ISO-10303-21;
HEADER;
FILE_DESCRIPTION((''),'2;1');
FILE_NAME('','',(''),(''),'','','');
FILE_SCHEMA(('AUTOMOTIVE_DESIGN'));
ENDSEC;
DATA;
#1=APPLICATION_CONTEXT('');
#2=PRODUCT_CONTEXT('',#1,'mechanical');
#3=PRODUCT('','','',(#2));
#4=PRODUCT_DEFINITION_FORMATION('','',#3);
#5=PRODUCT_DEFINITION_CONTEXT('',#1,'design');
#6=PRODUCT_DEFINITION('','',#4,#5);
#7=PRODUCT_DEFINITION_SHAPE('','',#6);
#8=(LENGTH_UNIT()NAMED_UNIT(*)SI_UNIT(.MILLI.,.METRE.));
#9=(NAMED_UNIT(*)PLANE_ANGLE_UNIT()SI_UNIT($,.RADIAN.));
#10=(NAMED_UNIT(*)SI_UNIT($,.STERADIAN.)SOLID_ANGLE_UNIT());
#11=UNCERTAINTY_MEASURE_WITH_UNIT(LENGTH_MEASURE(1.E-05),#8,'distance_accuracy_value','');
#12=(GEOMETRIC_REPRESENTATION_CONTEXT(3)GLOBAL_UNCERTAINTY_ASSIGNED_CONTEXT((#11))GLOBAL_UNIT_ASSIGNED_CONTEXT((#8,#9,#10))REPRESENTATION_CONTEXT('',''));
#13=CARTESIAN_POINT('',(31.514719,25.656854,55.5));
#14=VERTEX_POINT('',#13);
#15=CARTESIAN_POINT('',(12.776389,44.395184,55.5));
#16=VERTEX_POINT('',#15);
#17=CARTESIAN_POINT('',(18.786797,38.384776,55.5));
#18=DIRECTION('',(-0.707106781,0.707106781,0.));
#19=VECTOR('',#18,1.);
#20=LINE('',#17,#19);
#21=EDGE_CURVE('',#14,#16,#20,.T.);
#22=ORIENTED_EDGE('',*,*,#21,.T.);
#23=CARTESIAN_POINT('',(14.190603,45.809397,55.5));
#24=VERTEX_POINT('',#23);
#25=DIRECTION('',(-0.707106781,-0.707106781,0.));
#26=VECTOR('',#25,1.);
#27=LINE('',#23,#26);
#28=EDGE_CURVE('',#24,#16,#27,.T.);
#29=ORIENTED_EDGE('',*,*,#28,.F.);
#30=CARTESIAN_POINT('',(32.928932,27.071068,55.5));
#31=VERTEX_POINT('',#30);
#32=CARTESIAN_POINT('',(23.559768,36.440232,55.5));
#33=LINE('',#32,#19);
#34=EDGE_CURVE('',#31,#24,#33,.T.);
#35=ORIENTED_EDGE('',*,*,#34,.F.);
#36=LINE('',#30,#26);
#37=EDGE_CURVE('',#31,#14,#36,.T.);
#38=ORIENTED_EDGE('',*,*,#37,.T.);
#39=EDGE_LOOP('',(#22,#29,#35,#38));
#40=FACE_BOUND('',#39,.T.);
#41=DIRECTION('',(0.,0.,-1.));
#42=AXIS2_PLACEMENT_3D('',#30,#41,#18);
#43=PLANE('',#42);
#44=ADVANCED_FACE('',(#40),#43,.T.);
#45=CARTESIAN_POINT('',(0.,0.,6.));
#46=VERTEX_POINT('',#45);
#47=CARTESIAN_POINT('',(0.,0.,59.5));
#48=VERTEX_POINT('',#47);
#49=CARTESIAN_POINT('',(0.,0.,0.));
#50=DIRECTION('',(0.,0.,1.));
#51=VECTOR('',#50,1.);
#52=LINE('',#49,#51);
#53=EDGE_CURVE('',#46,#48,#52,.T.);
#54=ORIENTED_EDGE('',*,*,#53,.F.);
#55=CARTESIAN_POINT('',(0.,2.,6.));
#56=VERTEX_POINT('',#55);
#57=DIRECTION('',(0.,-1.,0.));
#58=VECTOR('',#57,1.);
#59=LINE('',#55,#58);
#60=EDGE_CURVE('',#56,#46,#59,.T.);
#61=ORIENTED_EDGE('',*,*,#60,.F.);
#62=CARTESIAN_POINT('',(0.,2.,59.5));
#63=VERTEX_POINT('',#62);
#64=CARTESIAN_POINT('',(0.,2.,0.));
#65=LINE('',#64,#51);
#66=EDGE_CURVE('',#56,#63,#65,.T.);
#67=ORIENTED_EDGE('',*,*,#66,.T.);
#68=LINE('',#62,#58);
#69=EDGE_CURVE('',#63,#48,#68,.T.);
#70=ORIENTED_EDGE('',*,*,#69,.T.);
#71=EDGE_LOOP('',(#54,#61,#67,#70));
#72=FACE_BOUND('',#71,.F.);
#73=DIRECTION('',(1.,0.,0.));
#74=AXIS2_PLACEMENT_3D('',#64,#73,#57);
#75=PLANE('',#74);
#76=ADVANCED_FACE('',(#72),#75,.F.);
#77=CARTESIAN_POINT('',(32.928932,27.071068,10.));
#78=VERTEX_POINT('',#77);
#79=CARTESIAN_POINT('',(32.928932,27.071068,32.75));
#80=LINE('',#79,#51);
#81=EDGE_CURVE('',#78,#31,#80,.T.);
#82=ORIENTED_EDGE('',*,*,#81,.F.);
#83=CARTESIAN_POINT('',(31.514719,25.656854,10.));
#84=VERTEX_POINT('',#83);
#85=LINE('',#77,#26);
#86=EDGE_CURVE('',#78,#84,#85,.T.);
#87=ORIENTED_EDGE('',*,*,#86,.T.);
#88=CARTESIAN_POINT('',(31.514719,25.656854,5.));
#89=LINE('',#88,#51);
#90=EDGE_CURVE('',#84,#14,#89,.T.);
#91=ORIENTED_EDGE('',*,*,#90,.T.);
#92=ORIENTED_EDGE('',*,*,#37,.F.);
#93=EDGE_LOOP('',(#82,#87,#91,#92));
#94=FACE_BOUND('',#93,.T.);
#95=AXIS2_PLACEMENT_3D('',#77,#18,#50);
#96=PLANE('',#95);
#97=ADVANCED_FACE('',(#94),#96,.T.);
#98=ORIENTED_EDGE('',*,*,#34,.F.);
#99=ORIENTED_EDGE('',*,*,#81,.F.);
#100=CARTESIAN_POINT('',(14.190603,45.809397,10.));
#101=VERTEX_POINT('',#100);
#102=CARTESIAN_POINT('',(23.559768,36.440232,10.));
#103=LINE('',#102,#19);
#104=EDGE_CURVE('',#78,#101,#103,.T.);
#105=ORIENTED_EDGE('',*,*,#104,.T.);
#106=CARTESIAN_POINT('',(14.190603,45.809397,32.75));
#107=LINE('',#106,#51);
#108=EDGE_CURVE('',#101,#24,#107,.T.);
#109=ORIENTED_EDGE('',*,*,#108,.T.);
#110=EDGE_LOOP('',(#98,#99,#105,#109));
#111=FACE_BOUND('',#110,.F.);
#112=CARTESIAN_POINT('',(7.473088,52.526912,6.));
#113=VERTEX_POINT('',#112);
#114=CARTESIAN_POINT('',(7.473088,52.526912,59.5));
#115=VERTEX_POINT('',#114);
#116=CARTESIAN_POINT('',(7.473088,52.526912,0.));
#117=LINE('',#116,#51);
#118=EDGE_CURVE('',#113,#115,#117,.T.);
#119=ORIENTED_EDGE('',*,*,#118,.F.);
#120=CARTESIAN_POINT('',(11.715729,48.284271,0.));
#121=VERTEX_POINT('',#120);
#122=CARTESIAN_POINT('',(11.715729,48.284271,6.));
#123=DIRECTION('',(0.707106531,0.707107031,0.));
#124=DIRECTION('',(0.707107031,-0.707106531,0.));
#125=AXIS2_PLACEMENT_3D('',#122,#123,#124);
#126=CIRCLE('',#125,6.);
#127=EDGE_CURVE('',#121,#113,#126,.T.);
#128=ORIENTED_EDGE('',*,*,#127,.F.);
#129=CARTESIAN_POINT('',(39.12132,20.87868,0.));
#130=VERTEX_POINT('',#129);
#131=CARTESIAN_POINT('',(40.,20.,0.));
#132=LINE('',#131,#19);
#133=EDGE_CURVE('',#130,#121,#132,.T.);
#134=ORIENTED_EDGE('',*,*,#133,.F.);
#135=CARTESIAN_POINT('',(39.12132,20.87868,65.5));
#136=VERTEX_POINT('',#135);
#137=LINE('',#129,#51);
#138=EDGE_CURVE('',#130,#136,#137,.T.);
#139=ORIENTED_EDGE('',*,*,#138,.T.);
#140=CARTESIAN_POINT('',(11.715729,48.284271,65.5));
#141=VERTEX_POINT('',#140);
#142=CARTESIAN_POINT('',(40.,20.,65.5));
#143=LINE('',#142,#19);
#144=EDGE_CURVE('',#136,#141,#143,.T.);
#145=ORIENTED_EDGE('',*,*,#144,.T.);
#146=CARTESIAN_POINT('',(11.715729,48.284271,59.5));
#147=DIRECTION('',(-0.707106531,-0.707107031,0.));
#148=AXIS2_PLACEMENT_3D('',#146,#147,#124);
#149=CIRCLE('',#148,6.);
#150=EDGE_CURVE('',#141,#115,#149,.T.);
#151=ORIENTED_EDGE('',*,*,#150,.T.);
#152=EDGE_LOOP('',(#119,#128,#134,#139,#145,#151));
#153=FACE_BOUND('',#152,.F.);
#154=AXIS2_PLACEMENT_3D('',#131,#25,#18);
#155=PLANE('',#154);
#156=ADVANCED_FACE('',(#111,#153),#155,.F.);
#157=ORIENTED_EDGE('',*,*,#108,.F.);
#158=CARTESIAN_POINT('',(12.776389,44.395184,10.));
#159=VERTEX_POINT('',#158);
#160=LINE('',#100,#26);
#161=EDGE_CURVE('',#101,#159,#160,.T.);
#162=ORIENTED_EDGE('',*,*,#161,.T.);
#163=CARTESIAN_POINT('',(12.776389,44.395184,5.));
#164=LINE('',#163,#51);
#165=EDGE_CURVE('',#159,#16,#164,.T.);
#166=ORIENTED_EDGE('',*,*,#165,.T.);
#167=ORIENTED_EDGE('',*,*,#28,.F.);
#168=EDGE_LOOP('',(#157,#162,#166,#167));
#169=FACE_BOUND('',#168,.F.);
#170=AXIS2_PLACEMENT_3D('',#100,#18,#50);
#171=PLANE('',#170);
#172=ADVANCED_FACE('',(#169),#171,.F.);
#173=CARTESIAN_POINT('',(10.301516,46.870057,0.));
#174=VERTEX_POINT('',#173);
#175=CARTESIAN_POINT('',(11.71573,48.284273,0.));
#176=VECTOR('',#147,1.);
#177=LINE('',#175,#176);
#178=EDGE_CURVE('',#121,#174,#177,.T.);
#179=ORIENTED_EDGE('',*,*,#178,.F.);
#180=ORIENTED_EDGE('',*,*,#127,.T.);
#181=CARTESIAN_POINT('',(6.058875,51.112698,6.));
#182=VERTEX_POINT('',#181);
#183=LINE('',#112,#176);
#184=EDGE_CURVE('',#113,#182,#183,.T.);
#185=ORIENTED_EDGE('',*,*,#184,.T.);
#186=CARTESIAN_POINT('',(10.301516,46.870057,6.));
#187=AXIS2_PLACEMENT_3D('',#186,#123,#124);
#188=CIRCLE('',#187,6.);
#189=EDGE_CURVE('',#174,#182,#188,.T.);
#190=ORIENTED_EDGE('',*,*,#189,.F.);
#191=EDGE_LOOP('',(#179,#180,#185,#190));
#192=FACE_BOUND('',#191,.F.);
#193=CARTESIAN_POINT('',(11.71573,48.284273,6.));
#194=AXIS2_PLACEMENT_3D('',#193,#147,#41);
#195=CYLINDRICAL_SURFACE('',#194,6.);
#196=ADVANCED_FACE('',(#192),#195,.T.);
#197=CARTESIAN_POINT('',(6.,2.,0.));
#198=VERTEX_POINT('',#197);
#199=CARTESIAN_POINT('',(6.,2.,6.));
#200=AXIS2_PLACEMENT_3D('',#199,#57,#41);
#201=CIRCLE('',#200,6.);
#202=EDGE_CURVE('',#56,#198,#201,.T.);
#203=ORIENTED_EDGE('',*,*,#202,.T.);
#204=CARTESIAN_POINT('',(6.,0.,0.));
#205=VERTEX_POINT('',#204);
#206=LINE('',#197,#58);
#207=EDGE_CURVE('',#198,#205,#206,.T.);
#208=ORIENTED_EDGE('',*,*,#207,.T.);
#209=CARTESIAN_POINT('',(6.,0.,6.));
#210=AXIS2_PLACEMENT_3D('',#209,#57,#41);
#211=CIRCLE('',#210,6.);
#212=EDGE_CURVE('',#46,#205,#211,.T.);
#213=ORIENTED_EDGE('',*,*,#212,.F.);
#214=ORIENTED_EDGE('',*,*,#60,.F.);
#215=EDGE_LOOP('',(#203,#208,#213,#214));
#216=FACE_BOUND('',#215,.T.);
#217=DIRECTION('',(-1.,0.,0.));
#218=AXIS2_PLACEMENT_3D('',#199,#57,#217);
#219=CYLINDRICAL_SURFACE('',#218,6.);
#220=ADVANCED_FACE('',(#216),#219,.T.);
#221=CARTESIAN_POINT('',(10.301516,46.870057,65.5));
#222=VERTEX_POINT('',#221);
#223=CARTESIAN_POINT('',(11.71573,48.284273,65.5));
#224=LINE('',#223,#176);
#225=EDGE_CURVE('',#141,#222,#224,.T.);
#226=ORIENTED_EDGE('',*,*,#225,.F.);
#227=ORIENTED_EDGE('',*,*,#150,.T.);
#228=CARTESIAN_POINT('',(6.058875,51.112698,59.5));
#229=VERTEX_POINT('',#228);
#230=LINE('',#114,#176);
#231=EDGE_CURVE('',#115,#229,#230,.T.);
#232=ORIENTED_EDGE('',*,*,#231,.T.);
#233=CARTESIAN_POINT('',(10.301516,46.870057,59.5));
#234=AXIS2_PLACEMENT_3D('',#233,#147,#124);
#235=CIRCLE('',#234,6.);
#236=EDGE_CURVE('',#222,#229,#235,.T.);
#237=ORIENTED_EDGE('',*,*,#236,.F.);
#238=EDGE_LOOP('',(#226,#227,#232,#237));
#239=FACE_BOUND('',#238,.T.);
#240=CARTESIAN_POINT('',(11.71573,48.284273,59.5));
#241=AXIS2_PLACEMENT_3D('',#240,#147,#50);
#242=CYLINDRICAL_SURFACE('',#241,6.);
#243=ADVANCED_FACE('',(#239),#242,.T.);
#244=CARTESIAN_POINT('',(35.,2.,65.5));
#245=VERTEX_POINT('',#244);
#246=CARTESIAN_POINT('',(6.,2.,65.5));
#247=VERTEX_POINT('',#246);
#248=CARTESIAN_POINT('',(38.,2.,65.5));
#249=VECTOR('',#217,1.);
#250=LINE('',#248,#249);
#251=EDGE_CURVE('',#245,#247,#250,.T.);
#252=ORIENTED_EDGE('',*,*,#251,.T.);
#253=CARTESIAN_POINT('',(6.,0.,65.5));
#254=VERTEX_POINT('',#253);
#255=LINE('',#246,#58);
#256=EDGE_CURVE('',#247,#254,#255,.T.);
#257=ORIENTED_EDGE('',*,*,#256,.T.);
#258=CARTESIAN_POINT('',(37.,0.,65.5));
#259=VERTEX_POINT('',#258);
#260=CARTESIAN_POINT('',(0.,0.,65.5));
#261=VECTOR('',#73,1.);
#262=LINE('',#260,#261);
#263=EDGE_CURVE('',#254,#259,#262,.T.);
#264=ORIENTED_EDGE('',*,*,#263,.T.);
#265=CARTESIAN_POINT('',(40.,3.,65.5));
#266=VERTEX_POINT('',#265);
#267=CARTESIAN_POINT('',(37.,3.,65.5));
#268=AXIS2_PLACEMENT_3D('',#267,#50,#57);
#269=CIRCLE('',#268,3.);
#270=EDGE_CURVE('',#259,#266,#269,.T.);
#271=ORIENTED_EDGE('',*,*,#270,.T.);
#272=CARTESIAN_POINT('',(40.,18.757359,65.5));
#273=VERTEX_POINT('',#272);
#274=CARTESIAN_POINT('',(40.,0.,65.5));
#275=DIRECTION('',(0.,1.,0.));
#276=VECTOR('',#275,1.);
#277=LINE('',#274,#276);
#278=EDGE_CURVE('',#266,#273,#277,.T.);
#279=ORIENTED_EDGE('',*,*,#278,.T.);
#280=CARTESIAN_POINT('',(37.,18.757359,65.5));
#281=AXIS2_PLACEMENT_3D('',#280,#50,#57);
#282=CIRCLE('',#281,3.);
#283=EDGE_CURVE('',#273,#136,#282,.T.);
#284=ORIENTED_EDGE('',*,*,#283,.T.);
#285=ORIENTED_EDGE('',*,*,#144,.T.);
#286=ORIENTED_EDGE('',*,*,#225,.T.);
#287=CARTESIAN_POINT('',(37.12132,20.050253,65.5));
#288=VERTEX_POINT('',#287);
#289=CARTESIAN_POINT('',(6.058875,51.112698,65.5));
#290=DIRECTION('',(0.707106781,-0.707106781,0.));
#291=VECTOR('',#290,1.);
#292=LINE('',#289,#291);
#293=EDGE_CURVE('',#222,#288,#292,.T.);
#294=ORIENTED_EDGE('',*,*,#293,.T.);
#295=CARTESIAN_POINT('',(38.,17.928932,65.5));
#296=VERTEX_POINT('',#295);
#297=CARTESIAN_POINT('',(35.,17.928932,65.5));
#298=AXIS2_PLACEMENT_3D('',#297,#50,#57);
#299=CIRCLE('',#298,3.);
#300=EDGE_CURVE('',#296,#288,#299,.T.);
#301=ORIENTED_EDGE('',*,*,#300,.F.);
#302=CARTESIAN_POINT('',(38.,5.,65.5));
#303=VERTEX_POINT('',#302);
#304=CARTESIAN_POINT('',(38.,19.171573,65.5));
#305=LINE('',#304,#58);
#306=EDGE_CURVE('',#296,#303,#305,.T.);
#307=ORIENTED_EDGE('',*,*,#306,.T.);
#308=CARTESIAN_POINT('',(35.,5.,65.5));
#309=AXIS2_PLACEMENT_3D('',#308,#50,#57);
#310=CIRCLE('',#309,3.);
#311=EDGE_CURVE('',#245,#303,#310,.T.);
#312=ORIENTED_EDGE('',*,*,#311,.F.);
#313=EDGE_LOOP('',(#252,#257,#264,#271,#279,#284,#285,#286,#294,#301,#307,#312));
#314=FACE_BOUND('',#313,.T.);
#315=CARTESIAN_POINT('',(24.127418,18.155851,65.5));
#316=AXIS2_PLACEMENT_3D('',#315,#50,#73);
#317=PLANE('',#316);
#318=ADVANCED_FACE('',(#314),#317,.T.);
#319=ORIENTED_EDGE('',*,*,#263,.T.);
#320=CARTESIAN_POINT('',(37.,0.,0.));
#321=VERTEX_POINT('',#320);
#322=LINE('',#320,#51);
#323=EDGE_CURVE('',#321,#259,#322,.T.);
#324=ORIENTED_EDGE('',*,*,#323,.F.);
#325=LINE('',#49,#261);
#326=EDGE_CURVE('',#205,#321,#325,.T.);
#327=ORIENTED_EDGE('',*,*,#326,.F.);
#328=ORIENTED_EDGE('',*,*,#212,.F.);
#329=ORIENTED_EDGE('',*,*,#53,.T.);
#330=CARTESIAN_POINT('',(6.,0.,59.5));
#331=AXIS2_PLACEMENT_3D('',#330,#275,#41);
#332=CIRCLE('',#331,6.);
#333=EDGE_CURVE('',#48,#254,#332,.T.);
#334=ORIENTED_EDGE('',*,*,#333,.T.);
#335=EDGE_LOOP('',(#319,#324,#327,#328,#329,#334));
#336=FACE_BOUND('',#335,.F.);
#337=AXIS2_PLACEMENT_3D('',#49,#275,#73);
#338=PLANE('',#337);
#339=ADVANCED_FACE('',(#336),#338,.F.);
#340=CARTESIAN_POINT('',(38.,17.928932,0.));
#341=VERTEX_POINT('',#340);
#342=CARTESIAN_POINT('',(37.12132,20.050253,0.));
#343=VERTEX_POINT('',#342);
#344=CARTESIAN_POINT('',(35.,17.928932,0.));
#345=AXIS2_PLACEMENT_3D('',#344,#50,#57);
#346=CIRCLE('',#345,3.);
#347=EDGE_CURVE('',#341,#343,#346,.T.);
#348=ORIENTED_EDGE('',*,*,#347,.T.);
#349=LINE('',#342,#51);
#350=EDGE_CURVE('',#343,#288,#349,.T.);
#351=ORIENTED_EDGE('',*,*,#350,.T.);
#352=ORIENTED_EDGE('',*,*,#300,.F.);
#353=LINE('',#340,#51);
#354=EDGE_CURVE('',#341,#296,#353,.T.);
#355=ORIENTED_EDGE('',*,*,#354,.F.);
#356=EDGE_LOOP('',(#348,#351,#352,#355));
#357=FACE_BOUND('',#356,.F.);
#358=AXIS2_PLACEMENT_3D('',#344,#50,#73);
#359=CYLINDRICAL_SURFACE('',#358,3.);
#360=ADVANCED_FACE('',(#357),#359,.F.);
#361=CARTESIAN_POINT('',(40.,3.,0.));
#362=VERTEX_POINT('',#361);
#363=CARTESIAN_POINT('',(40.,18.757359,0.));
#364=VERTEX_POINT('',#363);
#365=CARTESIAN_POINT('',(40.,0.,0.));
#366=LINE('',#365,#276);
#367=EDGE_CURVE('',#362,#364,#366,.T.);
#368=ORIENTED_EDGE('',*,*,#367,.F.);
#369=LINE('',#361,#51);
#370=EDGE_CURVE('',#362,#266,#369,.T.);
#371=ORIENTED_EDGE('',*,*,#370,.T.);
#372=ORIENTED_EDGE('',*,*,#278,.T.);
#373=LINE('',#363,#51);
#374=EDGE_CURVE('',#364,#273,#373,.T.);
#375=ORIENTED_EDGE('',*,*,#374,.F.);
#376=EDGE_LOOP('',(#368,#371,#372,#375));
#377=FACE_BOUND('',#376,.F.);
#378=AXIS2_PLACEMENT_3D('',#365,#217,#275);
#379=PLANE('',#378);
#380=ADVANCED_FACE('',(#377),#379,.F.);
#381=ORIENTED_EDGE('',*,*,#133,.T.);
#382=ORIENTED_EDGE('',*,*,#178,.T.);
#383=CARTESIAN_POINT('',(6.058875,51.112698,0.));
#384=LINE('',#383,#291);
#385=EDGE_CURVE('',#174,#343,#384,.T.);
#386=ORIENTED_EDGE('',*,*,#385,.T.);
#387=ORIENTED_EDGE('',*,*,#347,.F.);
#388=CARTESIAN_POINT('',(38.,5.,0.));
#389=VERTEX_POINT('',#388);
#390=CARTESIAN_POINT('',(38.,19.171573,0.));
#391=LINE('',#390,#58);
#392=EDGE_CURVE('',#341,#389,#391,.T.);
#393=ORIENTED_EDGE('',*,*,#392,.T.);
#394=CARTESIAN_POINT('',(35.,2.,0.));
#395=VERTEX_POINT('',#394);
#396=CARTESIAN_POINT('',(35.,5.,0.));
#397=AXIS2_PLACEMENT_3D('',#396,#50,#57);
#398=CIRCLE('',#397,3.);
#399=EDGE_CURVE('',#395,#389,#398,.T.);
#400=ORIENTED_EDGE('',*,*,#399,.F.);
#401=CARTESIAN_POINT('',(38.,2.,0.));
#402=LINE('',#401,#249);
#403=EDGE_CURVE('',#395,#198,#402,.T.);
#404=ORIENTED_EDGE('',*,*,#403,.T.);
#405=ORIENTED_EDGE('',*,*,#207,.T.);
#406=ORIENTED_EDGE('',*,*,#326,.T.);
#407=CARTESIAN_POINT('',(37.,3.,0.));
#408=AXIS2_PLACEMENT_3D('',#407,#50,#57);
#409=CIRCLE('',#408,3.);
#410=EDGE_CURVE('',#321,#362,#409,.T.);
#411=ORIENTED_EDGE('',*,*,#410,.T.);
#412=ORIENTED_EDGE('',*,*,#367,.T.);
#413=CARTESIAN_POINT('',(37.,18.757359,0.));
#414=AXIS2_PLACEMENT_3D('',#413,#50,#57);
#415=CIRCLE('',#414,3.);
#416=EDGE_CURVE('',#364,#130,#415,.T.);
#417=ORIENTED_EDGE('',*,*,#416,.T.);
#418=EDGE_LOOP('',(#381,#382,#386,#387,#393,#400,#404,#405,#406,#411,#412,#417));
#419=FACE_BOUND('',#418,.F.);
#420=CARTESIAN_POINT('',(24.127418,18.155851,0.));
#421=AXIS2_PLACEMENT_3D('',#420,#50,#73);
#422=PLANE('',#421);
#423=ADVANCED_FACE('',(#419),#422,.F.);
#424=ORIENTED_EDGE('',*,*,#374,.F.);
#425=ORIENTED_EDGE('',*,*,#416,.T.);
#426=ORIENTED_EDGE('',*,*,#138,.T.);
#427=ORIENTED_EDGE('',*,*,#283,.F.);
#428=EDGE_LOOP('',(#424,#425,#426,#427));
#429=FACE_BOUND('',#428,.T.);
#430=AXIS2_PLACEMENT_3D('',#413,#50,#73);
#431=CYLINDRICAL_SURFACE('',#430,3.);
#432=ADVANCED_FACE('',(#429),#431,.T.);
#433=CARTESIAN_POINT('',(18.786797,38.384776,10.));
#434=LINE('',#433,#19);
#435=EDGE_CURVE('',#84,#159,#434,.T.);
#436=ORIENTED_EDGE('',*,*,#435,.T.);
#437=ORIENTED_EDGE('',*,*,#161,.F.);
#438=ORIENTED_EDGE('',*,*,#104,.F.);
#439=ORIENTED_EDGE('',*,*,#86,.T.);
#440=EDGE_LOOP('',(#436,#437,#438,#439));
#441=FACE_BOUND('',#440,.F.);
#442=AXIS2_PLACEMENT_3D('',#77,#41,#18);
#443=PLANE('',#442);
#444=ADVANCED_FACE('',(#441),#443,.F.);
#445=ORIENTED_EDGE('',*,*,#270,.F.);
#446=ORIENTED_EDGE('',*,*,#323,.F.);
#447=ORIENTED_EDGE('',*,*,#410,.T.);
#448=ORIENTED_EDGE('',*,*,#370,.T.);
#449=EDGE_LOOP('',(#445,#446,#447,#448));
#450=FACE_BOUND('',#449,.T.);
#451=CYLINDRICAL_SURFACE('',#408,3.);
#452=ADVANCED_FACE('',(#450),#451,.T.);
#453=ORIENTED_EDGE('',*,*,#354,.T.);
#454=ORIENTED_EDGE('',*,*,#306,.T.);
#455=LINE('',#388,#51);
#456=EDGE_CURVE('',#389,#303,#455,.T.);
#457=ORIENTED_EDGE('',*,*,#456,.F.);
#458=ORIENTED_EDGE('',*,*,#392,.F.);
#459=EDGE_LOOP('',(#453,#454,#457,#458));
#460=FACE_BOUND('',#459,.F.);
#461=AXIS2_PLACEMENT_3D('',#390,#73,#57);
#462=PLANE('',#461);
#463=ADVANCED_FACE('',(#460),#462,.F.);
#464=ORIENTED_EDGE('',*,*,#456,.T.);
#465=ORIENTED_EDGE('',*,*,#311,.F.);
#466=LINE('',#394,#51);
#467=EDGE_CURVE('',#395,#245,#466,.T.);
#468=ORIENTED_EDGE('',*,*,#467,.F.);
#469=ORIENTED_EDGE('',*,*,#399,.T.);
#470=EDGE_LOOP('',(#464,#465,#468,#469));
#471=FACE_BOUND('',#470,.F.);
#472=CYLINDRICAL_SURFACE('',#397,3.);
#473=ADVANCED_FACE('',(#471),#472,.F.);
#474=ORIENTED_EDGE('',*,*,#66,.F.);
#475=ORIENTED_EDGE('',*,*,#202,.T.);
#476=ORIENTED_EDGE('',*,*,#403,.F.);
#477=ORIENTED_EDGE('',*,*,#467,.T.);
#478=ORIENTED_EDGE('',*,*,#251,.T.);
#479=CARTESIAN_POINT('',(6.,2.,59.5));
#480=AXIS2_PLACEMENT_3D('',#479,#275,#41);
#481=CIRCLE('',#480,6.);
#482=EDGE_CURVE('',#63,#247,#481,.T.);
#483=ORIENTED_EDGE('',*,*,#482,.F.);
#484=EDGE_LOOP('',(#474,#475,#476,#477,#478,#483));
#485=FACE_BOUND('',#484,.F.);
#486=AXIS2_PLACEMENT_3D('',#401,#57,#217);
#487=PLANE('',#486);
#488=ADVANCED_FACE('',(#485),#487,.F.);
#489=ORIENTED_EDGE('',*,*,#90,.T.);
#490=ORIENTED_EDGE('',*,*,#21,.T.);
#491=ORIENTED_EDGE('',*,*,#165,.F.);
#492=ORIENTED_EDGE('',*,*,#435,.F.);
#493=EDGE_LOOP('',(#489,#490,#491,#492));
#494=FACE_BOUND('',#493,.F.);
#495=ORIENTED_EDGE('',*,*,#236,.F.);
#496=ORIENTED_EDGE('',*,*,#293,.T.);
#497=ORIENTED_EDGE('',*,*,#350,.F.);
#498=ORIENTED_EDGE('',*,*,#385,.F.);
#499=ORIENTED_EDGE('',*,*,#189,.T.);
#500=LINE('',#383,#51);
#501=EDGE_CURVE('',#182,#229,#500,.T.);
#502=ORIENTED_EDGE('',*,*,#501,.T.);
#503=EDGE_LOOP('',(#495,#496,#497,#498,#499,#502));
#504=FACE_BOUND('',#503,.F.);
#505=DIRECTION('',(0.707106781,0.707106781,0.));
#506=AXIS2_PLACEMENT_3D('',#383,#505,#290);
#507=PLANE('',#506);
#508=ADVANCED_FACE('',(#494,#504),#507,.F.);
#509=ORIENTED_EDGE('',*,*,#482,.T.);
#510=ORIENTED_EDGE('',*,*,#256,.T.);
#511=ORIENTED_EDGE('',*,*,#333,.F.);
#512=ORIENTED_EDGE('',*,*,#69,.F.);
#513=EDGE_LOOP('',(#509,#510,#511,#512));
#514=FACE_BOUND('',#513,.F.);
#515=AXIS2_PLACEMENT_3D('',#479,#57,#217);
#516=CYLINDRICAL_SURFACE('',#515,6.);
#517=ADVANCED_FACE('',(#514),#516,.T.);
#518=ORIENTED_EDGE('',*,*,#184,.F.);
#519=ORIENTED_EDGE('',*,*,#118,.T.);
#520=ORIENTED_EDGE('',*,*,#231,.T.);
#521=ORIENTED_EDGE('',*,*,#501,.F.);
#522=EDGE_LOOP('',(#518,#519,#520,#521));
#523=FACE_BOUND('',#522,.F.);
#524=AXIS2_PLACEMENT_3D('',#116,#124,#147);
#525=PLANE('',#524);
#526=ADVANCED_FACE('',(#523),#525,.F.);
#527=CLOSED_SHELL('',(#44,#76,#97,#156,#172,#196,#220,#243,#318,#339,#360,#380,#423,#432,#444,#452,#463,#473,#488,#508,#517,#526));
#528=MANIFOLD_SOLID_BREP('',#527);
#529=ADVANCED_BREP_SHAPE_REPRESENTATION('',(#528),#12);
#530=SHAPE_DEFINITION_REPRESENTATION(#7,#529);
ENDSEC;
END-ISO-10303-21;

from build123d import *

# Parameters (mm, degrees)
F1_DEPTH = 65.5
F2_W     = 26.5
F2_H     = 45.5
F3_DEPTH = 5
F4_R     = 6
F5_R     = 3


with BuildPart() as f1:
    # F0 (on Top) → F1 (new body)
    with BuildSketch(Plane.XY):
        Polygon((0, 2), (0, 0), (40, 0), (40, 20), (7.473088, 52.526912), (6.058875, 51.112698), (38, 19.171573), (38, 2), align=None)
    extrude(amount=F1_DEPTH)

    # F2 (on face) → F3 (cut)
    with BuildSketch(Plane(origin=(30, 30, 0), x_dir=(-0.707107, 0.707107, 0), z_dir=(0.707107, 0.707107, 0))):
        with Locations((9.107864, 32.75)):
            Rectangle(F2_W, F2_H)
    extrude(amount=-F3_DEPTH, mode=Mode.SUBTRACT)

    # F4
    f4_edges = [f1.edges().sort_by_distance(p)[0] for p in [
        (6.765981, 51.819805, 65.5),
        (6.765981, 51.819805, 0),
        (0, 1, 0),
        (0, 1, 65.5),
    ]]
    fillet(f4_edges, radius=F4_R)

    # F5
    f5_edges = [f1.edges().sort_by_distance(p)[0] for p in [
        (40, 20, 32.75),
        (38, 19.171573, 32.75),
        (38, 2, 32.75),
        (40, 0, 32.75),
    ]]
    fillet(f5_edges, radius=F5_R)


solid = f1.part
